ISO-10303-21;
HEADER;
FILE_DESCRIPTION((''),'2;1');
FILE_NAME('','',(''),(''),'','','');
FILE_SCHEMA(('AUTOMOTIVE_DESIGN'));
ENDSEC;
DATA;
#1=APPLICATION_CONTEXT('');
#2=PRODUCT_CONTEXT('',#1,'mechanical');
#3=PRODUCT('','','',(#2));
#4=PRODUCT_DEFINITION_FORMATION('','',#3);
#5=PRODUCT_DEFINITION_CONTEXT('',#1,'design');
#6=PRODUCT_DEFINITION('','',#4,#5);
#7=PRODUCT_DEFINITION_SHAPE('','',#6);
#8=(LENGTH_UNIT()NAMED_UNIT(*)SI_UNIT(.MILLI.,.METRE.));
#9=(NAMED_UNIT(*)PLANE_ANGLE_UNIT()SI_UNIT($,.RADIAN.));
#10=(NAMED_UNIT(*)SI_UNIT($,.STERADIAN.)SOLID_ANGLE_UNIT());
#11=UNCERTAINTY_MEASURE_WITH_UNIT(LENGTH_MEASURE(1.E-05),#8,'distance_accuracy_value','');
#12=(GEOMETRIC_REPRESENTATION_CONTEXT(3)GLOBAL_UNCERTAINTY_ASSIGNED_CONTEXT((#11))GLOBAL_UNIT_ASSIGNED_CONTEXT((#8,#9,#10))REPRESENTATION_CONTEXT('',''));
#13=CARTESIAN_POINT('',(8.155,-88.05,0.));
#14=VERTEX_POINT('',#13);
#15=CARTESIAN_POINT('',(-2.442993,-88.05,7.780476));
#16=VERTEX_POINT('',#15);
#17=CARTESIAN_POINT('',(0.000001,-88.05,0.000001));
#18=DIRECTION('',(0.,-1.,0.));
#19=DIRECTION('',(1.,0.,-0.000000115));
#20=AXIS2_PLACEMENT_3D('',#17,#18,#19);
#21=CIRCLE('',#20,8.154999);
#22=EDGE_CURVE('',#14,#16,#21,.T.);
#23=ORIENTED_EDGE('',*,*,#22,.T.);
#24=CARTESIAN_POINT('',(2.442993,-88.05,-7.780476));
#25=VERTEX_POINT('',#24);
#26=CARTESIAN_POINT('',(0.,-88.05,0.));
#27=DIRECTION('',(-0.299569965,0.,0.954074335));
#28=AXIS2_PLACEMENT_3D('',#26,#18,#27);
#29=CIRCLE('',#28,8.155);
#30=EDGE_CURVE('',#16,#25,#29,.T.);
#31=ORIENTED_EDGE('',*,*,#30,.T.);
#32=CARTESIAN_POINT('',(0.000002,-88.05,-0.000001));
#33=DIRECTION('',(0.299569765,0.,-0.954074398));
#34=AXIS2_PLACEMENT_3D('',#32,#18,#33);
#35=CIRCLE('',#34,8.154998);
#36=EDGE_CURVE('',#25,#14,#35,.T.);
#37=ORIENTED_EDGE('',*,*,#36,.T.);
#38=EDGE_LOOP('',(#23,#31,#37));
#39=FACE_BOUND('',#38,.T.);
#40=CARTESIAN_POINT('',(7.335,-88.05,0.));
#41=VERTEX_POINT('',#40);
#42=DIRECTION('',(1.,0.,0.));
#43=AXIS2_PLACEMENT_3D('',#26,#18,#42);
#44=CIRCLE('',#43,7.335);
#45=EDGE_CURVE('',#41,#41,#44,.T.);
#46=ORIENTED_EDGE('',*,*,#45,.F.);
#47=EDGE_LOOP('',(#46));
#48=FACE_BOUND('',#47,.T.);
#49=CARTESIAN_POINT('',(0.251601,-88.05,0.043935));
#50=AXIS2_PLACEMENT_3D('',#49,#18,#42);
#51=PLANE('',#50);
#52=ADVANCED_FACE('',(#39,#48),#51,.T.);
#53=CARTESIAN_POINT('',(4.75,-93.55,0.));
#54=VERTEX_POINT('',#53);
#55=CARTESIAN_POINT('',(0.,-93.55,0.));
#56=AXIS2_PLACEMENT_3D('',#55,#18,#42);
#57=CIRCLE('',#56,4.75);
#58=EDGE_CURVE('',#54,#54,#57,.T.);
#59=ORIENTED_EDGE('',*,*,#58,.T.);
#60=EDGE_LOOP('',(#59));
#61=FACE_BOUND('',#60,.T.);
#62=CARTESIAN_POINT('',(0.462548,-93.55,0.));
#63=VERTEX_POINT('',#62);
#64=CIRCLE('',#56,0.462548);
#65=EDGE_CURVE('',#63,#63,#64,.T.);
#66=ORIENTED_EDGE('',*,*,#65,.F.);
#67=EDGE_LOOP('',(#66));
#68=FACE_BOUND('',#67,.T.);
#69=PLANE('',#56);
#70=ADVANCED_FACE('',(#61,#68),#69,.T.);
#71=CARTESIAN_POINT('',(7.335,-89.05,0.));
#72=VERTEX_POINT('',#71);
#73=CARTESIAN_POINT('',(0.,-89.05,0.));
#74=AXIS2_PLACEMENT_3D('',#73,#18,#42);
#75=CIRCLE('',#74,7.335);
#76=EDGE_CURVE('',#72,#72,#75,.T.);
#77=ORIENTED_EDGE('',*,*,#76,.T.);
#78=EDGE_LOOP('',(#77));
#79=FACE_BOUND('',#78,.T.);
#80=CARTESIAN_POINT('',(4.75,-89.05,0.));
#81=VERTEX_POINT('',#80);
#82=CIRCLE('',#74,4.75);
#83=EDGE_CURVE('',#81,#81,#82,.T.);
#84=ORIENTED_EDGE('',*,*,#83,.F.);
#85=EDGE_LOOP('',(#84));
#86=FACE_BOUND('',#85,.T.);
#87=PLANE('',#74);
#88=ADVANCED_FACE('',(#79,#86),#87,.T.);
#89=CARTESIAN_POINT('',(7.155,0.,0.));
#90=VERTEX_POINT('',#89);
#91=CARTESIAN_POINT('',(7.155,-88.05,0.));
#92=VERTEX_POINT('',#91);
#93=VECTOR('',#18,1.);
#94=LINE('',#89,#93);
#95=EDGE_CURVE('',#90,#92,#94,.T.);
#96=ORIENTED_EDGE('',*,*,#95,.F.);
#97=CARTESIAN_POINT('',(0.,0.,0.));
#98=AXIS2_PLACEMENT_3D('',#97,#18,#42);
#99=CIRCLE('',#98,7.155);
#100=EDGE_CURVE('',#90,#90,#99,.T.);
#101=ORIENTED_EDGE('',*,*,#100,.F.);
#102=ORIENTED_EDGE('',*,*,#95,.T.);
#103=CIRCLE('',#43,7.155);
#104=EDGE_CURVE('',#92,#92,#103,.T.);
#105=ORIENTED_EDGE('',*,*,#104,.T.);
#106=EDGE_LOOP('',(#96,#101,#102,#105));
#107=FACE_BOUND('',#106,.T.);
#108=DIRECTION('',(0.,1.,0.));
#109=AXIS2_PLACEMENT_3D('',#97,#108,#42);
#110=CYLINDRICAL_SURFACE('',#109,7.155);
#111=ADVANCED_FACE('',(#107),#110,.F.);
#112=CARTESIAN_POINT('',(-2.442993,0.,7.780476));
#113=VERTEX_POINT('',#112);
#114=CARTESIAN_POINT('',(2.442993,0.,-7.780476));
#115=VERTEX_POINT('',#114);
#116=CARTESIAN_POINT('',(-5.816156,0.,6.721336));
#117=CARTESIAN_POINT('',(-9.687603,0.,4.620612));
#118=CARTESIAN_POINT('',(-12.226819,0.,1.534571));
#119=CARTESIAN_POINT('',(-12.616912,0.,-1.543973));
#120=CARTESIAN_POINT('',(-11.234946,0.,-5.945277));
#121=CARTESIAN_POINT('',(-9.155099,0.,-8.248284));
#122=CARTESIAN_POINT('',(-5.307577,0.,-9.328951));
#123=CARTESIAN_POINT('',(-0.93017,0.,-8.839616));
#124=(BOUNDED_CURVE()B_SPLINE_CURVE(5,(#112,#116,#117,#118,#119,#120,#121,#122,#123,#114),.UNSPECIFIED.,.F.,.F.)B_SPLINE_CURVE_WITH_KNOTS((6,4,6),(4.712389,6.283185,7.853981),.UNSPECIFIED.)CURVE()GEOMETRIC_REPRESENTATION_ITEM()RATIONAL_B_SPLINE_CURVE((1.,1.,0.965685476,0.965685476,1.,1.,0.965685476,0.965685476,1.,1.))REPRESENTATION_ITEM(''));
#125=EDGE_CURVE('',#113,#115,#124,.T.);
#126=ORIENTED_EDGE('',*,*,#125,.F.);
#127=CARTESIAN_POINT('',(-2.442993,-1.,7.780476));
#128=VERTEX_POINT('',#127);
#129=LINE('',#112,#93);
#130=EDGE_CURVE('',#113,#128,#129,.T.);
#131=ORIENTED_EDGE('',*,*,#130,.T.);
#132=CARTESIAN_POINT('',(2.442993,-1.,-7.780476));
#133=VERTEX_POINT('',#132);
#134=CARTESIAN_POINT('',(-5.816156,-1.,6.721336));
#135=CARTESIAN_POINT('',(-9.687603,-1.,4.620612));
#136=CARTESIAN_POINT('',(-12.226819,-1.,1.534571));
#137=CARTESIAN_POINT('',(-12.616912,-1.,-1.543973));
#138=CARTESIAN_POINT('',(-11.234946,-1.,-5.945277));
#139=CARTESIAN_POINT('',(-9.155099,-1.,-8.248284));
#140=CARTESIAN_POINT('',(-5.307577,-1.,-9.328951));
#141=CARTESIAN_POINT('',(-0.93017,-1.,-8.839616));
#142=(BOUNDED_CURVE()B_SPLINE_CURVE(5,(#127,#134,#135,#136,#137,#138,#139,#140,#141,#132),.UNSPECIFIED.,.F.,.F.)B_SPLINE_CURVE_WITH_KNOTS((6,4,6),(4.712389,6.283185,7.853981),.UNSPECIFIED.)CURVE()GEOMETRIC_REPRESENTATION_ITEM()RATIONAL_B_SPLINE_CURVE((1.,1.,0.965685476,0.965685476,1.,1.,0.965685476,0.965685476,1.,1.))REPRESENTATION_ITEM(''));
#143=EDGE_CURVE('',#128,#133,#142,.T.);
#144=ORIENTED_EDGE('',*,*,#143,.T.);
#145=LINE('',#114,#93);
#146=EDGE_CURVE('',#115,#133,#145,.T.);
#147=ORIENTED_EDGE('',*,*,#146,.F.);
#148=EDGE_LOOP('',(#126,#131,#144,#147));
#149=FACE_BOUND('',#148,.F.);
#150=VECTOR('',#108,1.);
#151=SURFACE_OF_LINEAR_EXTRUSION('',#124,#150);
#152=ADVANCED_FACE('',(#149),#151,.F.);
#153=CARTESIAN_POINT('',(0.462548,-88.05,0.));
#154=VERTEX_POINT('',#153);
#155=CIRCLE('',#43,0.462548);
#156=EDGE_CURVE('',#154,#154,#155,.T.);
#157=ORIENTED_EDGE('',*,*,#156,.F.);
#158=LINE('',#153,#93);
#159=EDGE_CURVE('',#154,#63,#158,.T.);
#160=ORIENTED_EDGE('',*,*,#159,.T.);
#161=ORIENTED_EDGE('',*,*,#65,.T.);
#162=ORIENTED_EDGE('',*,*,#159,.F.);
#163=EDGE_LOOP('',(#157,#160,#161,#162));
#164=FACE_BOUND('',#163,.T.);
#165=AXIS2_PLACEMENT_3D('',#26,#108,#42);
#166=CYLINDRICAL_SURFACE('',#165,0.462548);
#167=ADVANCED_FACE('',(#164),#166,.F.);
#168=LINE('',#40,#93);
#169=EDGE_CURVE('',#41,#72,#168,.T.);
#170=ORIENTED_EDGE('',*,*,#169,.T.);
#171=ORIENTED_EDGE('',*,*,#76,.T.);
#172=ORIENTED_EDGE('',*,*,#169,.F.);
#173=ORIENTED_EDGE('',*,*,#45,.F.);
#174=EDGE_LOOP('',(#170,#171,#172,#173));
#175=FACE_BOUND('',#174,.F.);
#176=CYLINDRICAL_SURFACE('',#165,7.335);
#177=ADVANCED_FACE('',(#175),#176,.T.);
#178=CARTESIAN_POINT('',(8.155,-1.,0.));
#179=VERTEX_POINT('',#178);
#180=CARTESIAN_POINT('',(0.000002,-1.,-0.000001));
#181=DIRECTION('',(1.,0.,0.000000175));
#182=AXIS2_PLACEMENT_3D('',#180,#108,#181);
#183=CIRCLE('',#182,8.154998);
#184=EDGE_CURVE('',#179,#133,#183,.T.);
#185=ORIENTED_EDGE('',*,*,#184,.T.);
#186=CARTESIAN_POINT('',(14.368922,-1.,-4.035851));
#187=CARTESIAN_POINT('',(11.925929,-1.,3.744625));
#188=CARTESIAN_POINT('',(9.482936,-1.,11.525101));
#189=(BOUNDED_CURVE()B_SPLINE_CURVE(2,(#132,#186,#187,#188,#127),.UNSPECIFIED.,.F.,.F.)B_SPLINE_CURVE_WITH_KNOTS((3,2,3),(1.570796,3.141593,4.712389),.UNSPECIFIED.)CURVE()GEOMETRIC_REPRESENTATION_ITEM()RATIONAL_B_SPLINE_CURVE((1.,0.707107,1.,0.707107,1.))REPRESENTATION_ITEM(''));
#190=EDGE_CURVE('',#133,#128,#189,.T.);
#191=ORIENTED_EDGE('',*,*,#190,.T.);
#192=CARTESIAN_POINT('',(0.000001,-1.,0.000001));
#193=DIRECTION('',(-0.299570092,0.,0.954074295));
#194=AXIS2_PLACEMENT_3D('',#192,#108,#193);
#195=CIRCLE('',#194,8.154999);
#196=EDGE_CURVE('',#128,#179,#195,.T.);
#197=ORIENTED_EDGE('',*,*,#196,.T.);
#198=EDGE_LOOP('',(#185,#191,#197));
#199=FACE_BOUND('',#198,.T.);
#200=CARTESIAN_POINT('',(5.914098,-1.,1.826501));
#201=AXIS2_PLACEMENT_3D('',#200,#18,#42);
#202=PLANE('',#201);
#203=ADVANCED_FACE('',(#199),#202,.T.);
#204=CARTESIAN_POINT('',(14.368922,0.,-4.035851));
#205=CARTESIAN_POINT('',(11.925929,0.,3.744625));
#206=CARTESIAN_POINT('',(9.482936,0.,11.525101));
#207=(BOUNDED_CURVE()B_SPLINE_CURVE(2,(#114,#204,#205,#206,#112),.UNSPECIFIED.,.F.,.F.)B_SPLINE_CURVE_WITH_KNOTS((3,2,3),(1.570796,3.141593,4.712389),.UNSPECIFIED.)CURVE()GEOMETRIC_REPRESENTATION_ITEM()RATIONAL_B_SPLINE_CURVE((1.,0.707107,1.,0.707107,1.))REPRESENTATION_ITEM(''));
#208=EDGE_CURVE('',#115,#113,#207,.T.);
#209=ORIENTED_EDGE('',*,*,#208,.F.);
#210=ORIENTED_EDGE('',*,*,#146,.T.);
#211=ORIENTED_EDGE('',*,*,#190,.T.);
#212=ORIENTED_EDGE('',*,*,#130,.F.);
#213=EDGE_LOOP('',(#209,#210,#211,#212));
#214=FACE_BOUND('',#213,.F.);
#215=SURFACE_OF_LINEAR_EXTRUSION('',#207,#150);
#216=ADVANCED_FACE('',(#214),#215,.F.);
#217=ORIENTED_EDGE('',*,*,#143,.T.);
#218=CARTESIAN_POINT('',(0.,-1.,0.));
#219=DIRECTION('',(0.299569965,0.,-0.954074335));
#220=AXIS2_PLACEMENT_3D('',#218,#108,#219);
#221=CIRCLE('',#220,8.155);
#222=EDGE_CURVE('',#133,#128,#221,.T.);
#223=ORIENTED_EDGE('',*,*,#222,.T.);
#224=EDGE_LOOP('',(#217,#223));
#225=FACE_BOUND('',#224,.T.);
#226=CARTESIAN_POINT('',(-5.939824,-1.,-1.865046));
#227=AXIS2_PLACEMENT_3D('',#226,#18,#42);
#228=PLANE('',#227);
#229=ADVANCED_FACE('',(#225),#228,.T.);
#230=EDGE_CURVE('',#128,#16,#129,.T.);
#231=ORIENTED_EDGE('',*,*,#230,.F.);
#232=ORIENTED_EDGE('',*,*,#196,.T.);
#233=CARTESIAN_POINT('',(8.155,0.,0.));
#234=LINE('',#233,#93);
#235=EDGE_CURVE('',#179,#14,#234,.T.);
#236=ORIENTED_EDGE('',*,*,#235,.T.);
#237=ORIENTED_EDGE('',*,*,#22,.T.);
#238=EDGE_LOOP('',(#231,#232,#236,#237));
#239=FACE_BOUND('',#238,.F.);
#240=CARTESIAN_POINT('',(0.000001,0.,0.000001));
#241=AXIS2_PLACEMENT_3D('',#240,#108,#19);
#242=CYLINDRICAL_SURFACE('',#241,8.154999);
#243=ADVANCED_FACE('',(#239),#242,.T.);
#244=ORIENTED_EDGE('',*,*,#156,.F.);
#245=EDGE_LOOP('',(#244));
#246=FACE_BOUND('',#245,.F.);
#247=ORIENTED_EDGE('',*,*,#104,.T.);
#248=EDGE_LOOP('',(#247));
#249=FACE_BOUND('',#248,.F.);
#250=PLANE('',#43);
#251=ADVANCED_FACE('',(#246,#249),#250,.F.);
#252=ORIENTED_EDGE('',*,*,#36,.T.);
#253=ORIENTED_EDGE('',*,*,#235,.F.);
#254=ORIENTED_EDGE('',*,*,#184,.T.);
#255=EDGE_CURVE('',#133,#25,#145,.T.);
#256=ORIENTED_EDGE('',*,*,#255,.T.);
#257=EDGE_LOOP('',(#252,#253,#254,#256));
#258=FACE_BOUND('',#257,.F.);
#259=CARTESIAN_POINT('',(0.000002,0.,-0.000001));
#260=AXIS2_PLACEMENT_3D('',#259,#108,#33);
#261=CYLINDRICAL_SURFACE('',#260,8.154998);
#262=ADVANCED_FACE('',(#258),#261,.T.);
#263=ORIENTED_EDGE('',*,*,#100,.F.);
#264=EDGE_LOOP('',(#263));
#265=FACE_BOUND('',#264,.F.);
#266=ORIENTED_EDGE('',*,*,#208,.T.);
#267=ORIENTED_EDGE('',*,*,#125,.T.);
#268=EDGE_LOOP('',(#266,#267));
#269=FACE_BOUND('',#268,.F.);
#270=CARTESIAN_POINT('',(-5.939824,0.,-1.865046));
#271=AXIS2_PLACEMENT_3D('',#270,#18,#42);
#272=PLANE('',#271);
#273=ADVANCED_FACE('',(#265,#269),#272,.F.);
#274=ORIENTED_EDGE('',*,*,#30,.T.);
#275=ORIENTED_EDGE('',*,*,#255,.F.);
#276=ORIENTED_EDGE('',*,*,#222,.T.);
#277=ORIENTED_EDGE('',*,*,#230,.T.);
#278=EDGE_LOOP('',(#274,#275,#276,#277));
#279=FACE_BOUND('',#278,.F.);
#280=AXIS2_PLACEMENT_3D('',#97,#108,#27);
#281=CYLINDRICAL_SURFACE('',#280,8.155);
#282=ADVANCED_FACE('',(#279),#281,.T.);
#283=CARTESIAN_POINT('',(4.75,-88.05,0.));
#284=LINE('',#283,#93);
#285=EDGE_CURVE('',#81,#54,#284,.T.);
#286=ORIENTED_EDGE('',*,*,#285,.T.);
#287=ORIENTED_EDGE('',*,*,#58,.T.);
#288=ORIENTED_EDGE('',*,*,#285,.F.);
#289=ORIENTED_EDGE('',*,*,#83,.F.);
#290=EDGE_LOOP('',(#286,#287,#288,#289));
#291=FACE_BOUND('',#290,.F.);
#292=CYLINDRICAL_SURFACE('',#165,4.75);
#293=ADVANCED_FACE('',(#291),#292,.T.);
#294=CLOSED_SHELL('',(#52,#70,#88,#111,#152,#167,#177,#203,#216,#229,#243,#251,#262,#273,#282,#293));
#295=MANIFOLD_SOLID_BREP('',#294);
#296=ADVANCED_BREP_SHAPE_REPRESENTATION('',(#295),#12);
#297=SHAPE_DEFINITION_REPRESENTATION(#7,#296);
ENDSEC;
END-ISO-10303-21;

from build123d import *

# Parameters (mm, degrees)
F0_R     = 7.155
F1_DEPTH = 88.05
F2_DEPTH = 1
F3_R     = 7.335
F3_R_2   = 7.155
F3_R_3   = 4.75
F4_DEPTH = 1
F3_R_4   = 0.462548
F5_DEPTH = 5.5


with BuildPart() as f1:
    # F0 (on Front) → F1 (new body)
    with BuildSketch(Plane.XZ):
        with BuildLine():
            ThreePointArc((2.442993, -7.780476), (6.573684, -4.826045), (8.155, 0))
            ThreePointArc((8.155, 0), (4.826045, 6.573684), (-2.442993, 7.780476))
            ThreePointArc((-2.442993, 7.780476), (-7.780476, -2.442993), (2.442993, -7.780476))
        make_face()
        Circle(F0_R, mode=Mode.SUBTRACT)
    extrude(amount=F1_DEPTH)

    # F0 (on Front) → F2 (join)
    with BuildSketch(Plane.XZ):
        with BuildLine():
            ThreePointArc((2.442993, -7.780476), (-7.780476, -2.442993), (-2.442993, 7.780476))
            add(Edge.make_bspline(
                [(-2.442993, 7.780476), (-14.368922, 4.035851), (-11.925929, -3.744625)],
                knots=[4.712389, 4.712389, 4.712389, 6.283185, 6.283185, 6.283185], degree=2, weights=[1, 0.707107, 1]))
            add(Edge.make_bspline(
                [(-11.925929, -3.744625), (-9.482936, -11.525101), (2.442993, -7.780476)],
                knots=[0, 0, 0, 1.570796, 1.570796, 1.570796], degree=2, weights=[1, 0.707107, 1]))
        make_face()
        with BuildLine():
            ThreePointArc((-2.442993, 7.780476), (4.826045, 6.573684), (8.155, 0))
            ThreePointArc((8.155, 0), (6.573684, -4.826045), (2.442993, -7.780476))
            add(Edge.make_bspline(
                [(2.442993, -7.780476), (14.368922, -4.035851), (11.925929, 3.744625), (9.482936, 11.525101), (-2.442993, 7.780476)],
                knots=[1.570796, 1.570796, 1.570796, 3.141593, 3.141593, 4.712389, 4.712389, 4.712389], degree=2, weights=[1, 0.707107, 1, 0.707107, 1]))
        make_face()
    extrude(amount=F2_DEPTH)

    # F3 (on face) → F4 (join)
    with BuildSketch(Plane.XZ.offset(88.05)):
        Circle(F3_R)
        Circle(F3_R_2, mode=Mode.SUBTRACT)
        Circle(F3_R_2)
        Circle(F3_R_3, mode=Mode.SUBTRACT)
    extrude(amount=F4_DEPTH)

    # F3 (on face) → F5 (join)
    with BuildSketch(Plane.XZ.offset(88.05)):
        Circle(F3_R_3)
        Circle(F3_R_4, mode=Mode.SUBTRACT)
    extrude(amount=F5_DEPTH)


solid = f1.part
